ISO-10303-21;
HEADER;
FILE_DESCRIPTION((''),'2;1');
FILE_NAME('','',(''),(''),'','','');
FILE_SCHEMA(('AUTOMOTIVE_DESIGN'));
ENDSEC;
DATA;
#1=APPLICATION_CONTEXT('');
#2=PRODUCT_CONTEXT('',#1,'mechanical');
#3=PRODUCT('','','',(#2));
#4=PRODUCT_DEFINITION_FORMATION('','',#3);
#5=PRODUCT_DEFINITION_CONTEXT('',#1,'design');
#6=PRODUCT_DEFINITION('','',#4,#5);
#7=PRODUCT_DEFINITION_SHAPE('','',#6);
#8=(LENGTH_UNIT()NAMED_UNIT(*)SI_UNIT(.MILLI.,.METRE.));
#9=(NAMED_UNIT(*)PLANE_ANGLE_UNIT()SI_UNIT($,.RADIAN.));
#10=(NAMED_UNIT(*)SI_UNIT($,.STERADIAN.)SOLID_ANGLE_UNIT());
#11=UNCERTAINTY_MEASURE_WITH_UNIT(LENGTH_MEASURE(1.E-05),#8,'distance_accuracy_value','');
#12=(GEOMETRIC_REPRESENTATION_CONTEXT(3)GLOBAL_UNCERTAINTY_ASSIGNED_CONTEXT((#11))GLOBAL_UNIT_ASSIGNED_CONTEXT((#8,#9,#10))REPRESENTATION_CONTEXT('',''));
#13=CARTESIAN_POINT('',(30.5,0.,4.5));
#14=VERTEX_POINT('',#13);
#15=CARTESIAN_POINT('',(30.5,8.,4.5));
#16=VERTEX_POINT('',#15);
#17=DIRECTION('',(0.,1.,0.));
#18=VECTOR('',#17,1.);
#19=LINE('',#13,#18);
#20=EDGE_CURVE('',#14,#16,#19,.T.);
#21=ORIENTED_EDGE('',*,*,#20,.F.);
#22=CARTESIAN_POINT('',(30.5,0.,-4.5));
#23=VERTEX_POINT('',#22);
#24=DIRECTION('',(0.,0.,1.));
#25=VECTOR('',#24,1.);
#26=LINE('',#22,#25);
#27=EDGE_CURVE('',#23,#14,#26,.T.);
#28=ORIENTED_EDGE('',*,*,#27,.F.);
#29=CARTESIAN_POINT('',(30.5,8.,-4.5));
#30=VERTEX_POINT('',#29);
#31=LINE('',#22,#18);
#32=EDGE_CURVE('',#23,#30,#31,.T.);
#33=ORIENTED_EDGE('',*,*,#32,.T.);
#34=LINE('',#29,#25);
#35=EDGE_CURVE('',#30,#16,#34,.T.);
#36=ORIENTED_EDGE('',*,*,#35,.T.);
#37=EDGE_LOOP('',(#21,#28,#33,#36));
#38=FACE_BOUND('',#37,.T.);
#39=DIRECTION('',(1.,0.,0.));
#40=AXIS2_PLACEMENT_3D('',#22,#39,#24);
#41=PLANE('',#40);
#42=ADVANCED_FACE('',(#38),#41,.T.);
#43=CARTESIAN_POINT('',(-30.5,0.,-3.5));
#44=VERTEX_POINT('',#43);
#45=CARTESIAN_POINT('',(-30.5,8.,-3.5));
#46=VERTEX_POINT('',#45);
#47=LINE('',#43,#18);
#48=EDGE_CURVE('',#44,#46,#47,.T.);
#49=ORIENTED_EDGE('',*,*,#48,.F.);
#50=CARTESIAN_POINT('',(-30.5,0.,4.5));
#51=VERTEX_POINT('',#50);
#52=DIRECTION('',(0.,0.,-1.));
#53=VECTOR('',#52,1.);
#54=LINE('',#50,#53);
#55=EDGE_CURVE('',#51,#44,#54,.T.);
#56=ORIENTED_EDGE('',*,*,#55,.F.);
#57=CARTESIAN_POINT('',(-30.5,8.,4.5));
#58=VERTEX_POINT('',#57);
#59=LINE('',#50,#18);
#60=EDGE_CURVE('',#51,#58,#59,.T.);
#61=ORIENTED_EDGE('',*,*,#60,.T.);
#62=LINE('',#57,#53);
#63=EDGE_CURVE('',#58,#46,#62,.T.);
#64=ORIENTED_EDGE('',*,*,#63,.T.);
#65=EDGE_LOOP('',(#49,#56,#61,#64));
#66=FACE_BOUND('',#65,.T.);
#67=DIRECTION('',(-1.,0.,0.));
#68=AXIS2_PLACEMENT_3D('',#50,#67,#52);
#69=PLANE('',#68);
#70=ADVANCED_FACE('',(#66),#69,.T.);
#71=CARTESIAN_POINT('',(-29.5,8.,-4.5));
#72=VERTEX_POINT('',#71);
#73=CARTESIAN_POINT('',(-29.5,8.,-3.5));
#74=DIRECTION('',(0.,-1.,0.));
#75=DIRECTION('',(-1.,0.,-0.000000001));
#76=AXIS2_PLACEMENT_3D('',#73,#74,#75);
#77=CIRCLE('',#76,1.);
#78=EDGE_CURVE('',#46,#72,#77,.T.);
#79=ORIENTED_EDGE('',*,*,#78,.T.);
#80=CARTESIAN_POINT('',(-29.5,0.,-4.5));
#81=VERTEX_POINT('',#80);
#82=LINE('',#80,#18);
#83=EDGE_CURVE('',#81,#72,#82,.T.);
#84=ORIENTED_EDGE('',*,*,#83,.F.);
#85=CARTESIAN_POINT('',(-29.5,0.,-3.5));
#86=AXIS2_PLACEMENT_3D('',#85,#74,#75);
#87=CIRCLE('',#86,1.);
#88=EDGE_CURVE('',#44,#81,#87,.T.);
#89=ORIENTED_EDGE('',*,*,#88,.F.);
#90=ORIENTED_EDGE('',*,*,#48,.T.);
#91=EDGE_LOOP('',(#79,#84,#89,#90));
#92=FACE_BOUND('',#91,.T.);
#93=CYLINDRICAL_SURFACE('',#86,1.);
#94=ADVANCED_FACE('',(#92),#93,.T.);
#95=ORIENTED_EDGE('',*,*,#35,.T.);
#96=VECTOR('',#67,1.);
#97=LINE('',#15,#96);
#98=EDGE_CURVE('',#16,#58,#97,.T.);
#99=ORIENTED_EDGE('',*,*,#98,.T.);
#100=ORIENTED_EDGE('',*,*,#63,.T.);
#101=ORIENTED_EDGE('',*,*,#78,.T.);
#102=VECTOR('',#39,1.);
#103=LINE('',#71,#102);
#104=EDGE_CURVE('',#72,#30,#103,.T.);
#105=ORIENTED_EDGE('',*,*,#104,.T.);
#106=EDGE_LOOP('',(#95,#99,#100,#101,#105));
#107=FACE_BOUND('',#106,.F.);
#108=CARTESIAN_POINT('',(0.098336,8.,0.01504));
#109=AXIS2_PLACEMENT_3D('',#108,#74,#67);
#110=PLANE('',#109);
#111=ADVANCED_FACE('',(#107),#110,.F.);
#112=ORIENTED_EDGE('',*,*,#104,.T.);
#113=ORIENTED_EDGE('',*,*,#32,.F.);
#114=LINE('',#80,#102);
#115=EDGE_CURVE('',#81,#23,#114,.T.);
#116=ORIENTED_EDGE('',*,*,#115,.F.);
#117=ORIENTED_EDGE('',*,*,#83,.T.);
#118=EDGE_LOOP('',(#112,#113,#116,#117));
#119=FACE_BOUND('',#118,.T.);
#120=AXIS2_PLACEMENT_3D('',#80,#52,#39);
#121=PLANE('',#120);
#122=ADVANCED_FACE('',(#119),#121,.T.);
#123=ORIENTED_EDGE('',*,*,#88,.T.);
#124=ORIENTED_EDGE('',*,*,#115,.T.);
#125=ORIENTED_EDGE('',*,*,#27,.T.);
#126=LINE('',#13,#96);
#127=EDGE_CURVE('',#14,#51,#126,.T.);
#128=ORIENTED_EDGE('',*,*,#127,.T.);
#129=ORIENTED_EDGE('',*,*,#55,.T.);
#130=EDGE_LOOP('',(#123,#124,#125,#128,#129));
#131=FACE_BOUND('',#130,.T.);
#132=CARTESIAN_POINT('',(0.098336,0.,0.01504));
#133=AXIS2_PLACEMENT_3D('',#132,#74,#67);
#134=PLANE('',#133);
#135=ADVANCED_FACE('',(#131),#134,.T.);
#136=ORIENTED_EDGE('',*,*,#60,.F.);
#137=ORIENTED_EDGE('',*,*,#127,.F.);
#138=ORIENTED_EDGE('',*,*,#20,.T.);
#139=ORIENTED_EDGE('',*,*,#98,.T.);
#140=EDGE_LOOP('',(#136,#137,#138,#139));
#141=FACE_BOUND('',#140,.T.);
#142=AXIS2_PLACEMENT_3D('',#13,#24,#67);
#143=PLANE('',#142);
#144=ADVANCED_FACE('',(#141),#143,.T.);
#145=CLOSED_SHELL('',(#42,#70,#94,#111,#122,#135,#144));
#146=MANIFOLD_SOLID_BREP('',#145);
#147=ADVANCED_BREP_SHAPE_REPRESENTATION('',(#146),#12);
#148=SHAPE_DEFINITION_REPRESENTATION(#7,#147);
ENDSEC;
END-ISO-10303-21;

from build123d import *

# Parameters (mm, degrees)
BOSS_EXTRUDE1_DEPTH = 8


with BuildPart() as part:
    # Sketch1 → Boss-Extrude1 (new body)
    with BuildSketch(Plane(origin=(0, 0, 0), x_dir=(1, 0, 0), z_dir=(0, 1, 0))):
        with BuildLine():
            Line((-29.5, 4.5), (30.5, 4.5))
            Line((30.5, 4.5), (30.5, -4.5))
            Line((30.5, -4.5), (-30.5, -4.5))
            Line((-30.5, -4.5), (-30.5, 3.5))
            ThreePointArc((-30.5, 3.5), (-30.207106781, 4.207106781), (-29.5, 4.5))
        make_face()
    extrude(amount=BOSS_EXTRUDE1_DEPTH)


solid = part.part
